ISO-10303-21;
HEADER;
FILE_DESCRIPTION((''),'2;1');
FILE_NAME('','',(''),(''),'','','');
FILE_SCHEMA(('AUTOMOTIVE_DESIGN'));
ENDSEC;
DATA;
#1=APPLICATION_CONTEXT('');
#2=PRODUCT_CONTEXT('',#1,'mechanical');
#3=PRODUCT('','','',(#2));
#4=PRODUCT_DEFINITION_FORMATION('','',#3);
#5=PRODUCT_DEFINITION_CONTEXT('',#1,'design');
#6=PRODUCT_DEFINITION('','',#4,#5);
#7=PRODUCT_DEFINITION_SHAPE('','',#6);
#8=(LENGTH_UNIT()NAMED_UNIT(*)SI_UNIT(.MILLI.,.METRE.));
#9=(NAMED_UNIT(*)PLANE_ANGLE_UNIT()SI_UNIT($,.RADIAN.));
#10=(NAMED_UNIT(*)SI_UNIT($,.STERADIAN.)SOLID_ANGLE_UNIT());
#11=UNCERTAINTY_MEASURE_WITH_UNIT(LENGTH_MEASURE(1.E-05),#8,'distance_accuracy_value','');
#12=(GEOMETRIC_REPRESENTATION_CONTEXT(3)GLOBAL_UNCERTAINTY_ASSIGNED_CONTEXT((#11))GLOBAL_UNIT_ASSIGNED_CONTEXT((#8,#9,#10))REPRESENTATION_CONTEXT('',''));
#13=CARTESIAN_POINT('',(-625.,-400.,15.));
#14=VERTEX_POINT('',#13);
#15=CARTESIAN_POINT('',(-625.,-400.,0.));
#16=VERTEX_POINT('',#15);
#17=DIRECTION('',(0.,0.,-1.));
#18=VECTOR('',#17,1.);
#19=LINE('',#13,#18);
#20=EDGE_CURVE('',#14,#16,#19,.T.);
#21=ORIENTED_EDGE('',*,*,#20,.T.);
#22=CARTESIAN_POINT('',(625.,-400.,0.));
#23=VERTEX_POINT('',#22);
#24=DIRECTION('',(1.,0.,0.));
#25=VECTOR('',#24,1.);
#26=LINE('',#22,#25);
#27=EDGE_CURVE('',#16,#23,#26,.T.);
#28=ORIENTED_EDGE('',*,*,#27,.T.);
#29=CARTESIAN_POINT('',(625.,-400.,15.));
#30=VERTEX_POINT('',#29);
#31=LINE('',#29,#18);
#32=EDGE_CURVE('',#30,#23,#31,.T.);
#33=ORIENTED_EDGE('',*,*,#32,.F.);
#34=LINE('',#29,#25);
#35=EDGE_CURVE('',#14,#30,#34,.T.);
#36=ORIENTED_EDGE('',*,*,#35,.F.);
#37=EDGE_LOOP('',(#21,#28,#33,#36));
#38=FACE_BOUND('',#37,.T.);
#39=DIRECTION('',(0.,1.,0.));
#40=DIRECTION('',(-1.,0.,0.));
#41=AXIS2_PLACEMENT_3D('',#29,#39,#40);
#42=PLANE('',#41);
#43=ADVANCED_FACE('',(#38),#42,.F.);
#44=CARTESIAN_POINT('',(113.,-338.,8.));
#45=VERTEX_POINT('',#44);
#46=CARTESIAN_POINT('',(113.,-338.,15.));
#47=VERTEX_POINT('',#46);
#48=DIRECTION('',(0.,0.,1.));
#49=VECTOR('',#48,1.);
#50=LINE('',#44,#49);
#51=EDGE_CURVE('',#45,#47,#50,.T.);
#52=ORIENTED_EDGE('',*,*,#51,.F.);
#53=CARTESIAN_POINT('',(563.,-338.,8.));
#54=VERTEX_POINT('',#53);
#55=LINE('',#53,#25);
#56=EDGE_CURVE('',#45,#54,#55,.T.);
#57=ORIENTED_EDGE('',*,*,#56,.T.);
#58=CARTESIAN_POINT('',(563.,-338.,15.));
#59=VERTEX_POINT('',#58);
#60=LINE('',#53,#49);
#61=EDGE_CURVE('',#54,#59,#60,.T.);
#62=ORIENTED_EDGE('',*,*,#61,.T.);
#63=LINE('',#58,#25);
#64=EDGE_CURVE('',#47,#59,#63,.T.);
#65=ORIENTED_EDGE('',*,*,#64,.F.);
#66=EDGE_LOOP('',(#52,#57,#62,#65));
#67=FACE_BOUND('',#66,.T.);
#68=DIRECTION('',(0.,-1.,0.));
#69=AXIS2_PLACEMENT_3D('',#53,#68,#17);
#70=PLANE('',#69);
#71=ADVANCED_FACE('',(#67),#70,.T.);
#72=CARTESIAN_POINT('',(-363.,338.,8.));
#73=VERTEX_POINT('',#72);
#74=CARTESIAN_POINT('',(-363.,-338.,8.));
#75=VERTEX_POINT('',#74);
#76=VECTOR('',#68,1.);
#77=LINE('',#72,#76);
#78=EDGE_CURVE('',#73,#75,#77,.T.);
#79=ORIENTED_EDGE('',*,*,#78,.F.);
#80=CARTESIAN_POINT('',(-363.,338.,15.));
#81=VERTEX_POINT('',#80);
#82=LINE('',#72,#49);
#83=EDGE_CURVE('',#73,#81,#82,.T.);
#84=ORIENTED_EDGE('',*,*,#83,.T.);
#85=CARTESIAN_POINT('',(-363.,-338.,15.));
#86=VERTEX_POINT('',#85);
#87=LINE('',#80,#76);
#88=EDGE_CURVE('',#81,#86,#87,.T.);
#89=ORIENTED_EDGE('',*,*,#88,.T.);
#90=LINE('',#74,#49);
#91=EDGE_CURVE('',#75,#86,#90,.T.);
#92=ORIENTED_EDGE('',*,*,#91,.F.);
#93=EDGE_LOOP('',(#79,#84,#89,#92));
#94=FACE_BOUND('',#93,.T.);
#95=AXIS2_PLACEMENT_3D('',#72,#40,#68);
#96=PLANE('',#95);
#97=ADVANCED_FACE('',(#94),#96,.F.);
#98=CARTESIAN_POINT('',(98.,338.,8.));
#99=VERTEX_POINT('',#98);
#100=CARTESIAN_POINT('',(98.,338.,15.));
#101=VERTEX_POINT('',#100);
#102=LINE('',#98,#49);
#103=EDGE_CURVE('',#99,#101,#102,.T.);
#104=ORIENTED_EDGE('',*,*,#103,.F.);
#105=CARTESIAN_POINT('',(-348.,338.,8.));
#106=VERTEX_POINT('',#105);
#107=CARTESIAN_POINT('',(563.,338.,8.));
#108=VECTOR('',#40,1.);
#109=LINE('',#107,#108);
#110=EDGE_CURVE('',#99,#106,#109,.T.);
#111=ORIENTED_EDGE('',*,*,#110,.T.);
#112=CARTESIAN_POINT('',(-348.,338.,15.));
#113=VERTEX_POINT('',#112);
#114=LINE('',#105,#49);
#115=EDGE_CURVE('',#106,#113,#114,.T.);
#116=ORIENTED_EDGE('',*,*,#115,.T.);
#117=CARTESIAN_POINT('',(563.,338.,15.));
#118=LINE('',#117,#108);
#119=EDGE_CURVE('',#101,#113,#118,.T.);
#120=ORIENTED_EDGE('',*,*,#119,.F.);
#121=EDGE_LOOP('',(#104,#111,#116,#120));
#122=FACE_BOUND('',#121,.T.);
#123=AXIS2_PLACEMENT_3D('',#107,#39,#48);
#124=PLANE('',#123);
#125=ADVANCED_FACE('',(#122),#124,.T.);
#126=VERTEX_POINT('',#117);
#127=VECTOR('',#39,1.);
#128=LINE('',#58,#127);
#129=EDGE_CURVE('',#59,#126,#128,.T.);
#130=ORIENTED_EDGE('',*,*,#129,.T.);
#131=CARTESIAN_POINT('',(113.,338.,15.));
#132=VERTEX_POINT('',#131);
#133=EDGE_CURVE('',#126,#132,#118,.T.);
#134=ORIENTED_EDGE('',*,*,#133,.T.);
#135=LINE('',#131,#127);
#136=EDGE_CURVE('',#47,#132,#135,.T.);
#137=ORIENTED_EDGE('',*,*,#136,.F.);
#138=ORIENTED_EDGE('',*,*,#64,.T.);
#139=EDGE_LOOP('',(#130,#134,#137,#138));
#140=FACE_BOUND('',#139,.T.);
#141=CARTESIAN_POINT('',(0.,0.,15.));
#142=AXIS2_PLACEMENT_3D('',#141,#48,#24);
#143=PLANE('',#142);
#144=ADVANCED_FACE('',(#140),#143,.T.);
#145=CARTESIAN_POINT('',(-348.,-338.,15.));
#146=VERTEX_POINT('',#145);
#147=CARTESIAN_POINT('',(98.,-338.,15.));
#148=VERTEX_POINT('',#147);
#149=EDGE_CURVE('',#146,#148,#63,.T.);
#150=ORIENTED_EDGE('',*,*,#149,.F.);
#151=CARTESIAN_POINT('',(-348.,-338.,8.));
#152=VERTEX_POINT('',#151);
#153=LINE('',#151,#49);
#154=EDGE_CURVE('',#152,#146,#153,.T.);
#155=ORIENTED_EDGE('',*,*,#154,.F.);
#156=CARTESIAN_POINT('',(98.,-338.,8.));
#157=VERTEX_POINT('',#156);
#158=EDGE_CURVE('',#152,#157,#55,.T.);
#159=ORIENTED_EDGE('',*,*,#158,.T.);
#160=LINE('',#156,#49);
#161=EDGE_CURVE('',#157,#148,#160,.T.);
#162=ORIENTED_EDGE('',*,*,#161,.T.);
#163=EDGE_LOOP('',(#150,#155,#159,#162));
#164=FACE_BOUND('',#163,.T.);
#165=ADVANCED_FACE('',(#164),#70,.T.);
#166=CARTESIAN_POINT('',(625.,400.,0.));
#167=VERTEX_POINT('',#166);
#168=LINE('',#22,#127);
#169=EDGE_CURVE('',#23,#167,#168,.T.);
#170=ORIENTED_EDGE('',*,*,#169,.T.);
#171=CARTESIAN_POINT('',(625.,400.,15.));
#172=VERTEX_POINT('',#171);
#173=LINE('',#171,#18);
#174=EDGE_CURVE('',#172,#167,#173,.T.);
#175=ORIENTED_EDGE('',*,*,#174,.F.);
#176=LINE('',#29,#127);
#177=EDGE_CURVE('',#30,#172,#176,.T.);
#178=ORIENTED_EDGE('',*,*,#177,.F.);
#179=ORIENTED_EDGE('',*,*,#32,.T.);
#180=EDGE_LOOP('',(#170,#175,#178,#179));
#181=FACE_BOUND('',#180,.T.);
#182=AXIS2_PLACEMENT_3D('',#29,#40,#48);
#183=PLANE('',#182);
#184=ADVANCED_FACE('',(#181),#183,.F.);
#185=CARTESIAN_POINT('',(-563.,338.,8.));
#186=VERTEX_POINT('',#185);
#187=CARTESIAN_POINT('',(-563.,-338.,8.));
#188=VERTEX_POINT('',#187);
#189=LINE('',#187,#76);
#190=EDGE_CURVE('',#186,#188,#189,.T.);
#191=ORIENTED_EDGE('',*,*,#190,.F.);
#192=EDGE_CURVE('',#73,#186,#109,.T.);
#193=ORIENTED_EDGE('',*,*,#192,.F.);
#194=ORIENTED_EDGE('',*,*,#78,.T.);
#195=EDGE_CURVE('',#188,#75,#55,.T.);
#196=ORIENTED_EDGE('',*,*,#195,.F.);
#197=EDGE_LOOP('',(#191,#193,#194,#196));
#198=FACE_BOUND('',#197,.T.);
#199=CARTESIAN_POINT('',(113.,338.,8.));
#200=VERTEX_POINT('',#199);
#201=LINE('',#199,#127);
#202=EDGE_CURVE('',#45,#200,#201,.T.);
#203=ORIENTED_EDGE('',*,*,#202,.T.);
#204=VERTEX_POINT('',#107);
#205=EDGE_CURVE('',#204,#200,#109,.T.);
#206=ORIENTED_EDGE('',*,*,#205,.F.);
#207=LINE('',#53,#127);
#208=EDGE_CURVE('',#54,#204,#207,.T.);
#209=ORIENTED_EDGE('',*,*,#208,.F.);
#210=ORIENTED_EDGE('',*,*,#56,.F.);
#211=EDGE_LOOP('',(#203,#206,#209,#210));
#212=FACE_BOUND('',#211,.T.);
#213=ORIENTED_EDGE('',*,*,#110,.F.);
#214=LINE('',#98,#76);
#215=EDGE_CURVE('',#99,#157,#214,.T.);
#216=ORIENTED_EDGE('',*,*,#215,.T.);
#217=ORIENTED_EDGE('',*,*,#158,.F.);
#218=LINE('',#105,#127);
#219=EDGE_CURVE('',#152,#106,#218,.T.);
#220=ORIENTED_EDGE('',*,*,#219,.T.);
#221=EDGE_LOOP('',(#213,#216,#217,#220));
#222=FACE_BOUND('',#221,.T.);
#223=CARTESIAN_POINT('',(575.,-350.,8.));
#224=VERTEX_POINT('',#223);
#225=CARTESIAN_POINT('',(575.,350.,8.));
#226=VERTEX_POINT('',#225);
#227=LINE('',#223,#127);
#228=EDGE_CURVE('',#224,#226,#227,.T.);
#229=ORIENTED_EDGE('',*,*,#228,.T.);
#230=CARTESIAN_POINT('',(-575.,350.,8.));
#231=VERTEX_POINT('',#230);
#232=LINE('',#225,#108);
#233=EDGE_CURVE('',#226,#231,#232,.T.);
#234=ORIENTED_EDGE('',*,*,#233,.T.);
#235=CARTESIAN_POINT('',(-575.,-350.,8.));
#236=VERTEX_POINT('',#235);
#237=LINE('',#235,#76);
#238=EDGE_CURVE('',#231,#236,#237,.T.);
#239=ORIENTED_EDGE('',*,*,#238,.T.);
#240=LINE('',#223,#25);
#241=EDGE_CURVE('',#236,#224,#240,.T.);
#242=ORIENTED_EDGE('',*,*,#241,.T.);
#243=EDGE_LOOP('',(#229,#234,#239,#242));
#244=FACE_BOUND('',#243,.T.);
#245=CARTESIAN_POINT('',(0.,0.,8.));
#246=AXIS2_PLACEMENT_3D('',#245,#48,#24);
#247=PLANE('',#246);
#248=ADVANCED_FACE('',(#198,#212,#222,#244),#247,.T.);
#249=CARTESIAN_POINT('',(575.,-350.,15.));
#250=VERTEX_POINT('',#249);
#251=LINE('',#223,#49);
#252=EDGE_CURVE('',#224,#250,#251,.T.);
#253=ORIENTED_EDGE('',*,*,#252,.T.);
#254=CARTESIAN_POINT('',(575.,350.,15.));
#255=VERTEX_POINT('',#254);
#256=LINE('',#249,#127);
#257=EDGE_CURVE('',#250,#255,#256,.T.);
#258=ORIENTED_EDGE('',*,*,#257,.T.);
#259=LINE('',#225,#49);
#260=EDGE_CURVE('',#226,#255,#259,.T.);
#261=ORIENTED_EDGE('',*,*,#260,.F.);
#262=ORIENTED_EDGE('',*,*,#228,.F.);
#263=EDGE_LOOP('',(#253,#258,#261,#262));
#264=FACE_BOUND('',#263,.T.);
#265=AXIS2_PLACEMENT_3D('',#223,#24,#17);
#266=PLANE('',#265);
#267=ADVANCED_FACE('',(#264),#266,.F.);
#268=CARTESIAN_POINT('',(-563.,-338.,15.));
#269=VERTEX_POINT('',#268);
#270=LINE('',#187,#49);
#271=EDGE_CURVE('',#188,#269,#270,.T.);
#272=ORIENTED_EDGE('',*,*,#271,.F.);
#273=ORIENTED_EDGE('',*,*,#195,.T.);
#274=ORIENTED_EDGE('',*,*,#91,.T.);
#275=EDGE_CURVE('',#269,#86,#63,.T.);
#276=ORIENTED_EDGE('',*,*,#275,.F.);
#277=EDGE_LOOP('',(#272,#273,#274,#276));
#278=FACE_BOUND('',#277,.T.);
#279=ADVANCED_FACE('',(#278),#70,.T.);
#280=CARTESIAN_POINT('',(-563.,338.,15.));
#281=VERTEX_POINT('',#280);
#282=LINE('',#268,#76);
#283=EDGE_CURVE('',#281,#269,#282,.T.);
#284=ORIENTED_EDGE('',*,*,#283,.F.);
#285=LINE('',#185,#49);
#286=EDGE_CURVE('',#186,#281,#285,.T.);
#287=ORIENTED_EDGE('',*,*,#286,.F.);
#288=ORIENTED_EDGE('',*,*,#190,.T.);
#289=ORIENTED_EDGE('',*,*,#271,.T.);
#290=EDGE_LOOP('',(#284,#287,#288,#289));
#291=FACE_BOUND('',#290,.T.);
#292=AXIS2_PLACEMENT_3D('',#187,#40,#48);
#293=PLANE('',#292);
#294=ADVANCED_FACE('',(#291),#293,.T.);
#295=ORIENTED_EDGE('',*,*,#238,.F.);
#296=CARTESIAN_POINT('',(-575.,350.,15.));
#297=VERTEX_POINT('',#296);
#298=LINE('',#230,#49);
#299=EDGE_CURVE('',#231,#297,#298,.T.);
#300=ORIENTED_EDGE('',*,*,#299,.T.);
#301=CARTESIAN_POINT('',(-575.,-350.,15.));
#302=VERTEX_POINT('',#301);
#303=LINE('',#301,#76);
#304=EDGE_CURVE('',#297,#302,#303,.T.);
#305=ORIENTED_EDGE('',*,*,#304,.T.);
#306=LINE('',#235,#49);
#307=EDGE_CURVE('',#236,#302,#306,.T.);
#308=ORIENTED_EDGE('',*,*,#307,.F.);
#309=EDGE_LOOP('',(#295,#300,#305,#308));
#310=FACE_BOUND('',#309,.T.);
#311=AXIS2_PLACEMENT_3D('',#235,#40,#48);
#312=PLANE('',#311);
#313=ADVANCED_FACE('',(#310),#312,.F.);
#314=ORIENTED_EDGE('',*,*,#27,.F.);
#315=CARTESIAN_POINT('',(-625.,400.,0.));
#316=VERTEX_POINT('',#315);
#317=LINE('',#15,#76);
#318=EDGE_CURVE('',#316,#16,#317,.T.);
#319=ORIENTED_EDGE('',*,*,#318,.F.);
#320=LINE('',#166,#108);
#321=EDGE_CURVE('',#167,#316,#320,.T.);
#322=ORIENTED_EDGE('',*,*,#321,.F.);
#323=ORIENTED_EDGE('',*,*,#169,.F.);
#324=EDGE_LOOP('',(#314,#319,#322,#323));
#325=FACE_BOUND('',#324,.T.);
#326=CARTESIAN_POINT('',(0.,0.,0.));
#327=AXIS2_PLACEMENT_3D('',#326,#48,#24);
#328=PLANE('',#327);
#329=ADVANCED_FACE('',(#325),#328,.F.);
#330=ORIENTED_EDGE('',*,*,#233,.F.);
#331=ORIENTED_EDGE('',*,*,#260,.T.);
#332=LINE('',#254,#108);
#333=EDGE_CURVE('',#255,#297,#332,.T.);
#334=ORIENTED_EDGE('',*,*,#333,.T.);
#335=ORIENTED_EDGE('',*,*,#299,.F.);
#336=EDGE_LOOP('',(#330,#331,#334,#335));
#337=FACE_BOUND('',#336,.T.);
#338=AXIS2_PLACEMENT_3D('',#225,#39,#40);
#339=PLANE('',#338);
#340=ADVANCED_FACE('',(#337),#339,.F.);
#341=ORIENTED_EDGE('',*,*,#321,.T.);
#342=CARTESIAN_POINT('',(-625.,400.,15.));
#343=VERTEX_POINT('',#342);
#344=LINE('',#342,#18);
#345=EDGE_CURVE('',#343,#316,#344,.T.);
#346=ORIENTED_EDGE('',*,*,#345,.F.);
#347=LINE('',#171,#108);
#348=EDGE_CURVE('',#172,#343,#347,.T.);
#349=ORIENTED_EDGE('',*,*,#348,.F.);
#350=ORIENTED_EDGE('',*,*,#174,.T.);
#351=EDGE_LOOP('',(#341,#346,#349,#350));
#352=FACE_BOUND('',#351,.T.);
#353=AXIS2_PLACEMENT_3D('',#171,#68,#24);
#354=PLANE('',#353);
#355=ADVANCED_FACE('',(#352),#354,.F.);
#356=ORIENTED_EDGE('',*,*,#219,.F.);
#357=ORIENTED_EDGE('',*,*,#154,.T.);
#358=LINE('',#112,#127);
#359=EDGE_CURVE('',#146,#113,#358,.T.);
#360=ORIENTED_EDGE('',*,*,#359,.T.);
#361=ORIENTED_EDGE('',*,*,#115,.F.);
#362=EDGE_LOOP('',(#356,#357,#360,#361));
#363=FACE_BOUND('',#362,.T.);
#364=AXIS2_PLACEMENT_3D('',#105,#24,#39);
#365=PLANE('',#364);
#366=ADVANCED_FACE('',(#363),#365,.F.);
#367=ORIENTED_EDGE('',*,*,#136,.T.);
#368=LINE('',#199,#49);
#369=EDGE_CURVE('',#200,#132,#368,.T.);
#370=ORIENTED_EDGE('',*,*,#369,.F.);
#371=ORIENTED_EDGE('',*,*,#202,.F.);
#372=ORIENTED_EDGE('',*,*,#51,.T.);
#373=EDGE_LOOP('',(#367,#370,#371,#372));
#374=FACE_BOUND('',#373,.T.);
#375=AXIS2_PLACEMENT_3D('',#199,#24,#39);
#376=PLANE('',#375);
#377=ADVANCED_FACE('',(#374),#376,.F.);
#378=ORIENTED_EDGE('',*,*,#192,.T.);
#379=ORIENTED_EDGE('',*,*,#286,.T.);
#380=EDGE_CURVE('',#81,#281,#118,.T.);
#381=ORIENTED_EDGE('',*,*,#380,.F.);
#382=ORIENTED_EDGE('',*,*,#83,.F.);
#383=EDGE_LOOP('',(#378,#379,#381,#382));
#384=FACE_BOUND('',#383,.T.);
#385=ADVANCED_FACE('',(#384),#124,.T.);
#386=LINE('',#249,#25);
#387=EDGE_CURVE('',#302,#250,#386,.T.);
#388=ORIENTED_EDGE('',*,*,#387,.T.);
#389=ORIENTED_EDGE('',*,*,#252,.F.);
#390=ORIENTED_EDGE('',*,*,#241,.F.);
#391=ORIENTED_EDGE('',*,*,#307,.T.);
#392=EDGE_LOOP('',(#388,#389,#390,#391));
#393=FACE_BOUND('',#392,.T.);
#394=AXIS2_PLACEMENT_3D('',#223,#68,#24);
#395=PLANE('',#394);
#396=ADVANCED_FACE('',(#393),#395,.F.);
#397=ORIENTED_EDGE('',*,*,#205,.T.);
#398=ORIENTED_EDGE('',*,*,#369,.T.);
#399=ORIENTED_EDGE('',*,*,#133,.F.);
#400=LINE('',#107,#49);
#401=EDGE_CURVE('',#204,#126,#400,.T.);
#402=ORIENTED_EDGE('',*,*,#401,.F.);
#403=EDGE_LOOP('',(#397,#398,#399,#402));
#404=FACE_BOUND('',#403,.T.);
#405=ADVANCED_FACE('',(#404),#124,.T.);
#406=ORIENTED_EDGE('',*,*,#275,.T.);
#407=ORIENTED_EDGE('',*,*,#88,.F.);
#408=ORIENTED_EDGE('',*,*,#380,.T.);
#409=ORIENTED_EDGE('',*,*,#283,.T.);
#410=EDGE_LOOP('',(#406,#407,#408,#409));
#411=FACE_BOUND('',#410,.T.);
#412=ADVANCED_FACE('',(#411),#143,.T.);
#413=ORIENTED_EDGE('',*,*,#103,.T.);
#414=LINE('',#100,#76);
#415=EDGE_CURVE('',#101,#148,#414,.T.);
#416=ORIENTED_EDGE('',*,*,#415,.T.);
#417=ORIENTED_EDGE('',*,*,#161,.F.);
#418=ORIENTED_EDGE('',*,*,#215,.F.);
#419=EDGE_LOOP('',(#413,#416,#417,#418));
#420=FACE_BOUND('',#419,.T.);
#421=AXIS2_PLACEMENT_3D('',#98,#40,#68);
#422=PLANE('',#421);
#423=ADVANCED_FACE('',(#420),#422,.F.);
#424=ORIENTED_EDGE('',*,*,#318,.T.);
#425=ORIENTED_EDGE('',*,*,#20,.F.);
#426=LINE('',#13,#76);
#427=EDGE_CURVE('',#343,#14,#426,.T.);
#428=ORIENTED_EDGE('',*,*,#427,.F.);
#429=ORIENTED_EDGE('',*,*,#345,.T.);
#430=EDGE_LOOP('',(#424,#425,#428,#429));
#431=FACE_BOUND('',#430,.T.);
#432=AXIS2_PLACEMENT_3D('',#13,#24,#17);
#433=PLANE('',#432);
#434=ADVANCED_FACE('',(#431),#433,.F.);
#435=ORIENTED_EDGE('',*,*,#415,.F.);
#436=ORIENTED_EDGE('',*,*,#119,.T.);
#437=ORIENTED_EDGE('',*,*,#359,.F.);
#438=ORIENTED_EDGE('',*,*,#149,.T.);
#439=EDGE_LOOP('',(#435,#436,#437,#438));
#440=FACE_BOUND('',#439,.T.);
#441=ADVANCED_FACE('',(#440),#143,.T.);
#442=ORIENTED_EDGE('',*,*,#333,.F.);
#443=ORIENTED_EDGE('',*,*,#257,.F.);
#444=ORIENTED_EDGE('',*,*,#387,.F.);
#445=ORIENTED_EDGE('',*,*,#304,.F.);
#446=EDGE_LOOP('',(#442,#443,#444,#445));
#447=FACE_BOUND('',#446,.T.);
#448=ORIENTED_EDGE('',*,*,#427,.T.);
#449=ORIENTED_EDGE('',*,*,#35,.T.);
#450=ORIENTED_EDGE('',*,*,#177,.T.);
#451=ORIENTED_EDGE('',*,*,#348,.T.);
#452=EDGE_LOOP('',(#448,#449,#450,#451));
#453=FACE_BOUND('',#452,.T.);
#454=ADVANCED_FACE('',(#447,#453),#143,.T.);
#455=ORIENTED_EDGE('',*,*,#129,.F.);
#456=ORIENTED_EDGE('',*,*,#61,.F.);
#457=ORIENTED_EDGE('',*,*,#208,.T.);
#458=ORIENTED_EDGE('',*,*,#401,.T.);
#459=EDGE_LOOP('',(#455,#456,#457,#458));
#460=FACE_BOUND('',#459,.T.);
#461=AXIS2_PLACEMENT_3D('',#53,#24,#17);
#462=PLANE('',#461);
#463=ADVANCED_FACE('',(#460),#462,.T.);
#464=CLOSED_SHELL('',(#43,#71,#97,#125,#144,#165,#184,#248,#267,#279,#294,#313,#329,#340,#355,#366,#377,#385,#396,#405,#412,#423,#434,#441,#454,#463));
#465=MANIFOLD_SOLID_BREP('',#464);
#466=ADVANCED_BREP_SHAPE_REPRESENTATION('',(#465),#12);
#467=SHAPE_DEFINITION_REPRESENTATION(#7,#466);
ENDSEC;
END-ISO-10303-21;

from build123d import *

# Parameters (mm, degrees)
ESQUISSE1_W             = 1250
ESQUISSE1_H             = 800
BOSS_EXTRU_1_DEPTH      = 15
ESQUISSE2_W             = 1150
ESQUISSE2_H             = 700
ESQUISSE2_W_2           = 1126
ESQUISSE2_H_2           = 676
ENL_V_MAT_EXTRU_1_DEPTH = 7
ESQUISSE4_W             = 15
ESQUISSE4_H             = 676
ENL_V_MAT_EXTRU_2_DEPTH = 7


with BuildPart() as part:
    # Esquisse1 → Boss.-Extru.1 (new body)
    with BuildSketch(Plane.XY):
        Rectangle(ESQUISSE1_W, ESQUISSE1_H)
    extrude(amount=BOSS_EXTRU_1_DEPTH)

    # Esquisse2 → Enlèv. mat.-Extru.1 (cut)
    with BuildSketch(Plane.XY.offset(15)):
        Rectangle(ESQUISSE2_W, ESQUISSE2_H)
        Rectangle(ESQUISSE2_W_2, ESQUISSE2_H_2, mode=Mode.SUBTRACT)
    extrude(amount=-ENL_V_MAT_EXTRU_1_DEPTH, mode=Mode.SUBTRACT)

    # Esquisse4 → Enlèv. mat.-Extru.2 (cut)
    with BuildSketch(Plane.XY.offset(15)):
        with Locations((-355.5, 0)):
            Rectangle(ESQUISSE4_W, ESQUISSE4_H)
        with Locations((105.5, 0)):
            Rectangle(ESQUISSE4_W, ESQUISSE4_H)
    extrude(amount=-ENL_V_MAT_EXTRU_2_DEPTH, mode=Mode.SUBTRACT)


solid = part.part
